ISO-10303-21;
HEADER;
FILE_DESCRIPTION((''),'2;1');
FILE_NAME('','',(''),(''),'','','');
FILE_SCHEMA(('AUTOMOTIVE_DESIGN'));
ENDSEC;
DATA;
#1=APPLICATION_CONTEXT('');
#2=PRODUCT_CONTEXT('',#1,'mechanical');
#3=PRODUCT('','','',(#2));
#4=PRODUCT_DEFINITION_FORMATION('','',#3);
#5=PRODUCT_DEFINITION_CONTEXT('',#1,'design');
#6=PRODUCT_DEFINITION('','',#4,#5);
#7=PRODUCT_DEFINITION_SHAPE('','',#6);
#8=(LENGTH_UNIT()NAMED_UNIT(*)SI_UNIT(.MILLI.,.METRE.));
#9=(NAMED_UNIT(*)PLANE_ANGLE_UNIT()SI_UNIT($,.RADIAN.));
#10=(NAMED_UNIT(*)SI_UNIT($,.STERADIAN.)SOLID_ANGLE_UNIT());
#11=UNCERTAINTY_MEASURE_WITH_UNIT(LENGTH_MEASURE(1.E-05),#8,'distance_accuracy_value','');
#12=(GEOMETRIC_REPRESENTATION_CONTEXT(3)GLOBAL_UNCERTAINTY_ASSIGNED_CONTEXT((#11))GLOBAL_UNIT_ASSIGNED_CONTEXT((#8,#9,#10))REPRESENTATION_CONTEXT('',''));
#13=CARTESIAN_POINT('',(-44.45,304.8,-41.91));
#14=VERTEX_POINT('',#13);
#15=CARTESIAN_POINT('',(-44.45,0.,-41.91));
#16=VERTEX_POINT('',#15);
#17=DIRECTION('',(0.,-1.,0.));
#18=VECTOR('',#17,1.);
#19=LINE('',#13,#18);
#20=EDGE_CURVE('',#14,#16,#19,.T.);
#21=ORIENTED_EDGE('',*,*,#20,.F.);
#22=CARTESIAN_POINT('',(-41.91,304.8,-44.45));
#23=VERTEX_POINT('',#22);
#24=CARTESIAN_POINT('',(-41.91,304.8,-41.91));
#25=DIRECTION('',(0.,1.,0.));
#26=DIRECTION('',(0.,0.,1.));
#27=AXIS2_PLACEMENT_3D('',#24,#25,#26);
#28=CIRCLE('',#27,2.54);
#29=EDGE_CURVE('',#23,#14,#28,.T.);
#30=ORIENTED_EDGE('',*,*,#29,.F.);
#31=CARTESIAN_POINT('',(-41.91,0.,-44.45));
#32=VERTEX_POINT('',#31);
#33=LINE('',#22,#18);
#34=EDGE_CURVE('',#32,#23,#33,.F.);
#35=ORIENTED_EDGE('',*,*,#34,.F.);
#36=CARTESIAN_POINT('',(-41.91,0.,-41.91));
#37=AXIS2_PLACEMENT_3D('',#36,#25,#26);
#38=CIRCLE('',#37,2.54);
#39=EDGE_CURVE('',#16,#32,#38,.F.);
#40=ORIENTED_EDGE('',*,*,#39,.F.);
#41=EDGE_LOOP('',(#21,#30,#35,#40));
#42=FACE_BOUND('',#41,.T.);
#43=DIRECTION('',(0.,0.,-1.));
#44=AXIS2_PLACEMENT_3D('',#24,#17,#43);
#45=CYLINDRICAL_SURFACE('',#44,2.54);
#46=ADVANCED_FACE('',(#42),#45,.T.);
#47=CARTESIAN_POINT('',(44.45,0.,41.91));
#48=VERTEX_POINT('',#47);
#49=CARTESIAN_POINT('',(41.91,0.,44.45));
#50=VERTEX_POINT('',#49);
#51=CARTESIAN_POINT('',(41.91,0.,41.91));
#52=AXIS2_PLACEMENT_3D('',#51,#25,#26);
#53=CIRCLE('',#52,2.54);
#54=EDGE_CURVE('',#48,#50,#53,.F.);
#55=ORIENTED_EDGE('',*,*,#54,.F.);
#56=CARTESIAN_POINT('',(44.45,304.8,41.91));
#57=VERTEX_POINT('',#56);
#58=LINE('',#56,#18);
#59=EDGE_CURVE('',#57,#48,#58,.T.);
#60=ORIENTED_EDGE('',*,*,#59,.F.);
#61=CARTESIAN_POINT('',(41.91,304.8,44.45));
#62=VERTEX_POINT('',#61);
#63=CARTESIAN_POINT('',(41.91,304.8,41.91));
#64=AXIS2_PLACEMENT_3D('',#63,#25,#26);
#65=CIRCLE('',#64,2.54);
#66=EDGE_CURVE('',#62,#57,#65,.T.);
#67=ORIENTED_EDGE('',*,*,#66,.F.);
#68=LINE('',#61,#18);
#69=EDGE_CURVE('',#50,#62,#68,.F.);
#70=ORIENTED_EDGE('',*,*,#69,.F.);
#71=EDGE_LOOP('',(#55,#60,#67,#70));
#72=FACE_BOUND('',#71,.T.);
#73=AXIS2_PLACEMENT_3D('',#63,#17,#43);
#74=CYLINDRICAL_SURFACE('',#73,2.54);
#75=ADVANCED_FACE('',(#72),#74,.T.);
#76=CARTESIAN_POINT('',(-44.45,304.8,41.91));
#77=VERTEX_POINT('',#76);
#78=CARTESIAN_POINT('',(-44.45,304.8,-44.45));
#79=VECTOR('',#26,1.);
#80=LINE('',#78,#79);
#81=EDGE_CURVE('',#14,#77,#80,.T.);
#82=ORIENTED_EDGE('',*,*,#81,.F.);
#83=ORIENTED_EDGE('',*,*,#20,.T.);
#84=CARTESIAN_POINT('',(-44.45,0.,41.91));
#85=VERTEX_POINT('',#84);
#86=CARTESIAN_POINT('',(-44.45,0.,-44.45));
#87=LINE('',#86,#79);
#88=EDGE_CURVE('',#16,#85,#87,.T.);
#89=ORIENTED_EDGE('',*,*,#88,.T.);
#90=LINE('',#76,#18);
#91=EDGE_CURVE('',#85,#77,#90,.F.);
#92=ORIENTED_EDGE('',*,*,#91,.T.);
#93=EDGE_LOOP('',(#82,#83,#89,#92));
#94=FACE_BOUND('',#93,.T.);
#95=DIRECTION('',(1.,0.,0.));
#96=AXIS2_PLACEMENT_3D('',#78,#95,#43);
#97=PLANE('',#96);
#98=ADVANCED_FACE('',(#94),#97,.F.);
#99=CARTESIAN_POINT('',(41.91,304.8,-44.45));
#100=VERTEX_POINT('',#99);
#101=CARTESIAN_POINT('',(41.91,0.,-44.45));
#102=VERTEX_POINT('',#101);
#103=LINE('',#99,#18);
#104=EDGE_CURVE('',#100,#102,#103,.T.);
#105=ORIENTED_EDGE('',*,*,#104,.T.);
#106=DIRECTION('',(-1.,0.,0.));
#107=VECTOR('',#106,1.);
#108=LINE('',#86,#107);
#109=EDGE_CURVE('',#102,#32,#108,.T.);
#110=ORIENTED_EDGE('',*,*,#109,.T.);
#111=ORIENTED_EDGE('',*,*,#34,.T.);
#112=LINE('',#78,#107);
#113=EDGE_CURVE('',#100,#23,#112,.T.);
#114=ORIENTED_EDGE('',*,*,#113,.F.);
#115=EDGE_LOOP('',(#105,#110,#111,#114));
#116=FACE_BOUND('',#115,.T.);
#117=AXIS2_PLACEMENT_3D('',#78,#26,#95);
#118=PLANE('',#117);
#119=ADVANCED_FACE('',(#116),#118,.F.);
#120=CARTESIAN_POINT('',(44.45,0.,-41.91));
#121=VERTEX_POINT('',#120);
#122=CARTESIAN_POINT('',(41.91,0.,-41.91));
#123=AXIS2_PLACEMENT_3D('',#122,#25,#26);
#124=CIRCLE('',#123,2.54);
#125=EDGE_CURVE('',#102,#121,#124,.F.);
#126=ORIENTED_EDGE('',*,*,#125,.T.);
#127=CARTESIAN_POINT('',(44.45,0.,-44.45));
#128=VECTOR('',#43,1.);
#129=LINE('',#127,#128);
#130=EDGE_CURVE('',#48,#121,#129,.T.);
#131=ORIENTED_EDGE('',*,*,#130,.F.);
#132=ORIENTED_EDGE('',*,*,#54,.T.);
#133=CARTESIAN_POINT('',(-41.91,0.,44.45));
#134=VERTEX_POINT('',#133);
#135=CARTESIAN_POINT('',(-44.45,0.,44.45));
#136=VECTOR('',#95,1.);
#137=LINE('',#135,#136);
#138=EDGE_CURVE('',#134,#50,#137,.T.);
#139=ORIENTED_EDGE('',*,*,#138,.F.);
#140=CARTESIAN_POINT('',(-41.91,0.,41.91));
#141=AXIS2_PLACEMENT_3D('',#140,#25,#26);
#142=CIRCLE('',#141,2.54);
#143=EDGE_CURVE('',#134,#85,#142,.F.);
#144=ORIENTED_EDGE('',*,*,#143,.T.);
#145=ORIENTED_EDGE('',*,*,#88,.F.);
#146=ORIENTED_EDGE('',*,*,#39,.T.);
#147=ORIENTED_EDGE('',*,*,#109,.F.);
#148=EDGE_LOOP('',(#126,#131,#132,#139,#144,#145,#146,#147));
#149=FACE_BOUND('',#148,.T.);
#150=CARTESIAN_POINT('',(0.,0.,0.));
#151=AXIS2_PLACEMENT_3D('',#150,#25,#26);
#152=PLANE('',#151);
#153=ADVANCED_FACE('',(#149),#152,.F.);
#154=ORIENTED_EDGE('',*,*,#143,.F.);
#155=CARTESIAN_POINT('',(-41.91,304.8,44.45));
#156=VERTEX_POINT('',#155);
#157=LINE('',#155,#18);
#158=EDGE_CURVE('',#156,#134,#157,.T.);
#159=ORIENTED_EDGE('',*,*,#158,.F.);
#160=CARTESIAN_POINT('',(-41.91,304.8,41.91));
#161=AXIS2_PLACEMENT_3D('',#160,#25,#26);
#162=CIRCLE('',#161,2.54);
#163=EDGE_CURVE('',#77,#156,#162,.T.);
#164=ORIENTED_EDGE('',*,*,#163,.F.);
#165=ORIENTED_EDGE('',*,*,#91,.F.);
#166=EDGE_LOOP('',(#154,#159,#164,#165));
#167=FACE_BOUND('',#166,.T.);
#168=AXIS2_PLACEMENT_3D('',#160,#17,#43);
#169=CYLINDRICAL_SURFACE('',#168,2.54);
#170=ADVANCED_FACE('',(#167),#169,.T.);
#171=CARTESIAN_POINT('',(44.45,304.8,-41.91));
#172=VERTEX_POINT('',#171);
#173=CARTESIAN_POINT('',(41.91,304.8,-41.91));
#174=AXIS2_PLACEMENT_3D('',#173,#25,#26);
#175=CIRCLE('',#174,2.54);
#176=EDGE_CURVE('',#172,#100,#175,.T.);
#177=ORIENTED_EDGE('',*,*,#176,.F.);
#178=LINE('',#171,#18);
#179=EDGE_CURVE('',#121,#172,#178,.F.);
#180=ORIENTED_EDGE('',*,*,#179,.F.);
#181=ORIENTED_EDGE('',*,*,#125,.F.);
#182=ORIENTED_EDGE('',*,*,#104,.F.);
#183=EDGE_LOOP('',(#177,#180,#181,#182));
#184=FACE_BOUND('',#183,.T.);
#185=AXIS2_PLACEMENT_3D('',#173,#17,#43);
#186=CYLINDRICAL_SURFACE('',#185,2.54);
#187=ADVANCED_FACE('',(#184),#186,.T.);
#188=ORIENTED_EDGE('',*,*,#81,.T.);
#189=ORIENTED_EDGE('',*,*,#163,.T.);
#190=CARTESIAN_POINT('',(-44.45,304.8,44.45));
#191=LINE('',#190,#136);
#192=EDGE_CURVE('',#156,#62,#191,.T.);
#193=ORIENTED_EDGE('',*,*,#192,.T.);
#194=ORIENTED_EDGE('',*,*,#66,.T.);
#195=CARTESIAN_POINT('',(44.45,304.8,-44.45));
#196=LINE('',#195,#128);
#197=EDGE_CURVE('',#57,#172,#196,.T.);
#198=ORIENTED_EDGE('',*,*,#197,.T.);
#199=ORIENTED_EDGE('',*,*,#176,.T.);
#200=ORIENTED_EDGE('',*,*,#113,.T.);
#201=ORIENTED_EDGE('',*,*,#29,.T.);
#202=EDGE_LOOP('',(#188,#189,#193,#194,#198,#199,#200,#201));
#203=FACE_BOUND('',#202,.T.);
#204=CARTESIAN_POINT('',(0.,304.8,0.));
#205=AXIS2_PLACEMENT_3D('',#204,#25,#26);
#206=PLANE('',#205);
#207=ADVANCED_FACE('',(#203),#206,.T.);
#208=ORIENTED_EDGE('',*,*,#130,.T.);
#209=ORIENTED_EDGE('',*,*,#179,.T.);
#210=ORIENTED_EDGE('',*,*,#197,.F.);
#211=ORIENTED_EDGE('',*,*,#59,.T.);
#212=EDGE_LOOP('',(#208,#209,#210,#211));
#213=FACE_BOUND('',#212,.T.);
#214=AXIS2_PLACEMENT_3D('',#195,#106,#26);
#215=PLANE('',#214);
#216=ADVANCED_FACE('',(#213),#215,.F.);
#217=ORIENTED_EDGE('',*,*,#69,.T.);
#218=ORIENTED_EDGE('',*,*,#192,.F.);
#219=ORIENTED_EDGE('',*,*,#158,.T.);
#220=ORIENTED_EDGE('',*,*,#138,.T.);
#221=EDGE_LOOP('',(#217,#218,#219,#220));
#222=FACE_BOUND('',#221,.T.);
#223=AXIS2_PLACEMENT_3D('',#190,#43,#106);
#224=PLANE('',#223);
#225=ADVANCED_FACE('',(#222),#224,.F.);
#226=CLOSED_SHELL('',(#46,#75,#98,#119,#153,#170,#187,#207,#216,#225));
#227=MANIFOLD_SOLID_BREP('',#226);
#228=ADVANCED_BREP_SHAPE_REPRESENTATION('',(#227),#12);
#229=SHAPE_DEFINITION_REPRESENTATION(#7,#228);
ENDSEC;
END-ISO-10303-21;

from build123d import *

# Parameters (mm, degrees)
SKETCH1_W           = 88.9
SKETCH1_H           = 88.9
BOSS_EXTRUDE1_DEPTH = 304.8
FILLET1_R           = 2.54


with BuildPart() as part:
    # Sketch1 → Boss-Extrude1 (new body)
    with BuildSketch(Plane(origin=(0, 0, 0), x_dir=(1, 0, 0), z_dir=(0, 1, 0))):
        Rectangle(SKETCH1_W, SKETCH1_H)
    extrude(amount=BOSS_EXTRUDE1_DEPTH)

    # Fillet1
    fillet1_edges = [part.edges().sort_by_distance(p)[0] for p in [
        (44.45, 152.4, 44.45),
        (-44.45, 152.4, 44.45),
        (-44.45, 152.4, -44.45),
        (44.45, 152.4, -44.45),
    ]]
    fillet(fillet1_edges, radius=FILLET1_R)


solid = part.part
